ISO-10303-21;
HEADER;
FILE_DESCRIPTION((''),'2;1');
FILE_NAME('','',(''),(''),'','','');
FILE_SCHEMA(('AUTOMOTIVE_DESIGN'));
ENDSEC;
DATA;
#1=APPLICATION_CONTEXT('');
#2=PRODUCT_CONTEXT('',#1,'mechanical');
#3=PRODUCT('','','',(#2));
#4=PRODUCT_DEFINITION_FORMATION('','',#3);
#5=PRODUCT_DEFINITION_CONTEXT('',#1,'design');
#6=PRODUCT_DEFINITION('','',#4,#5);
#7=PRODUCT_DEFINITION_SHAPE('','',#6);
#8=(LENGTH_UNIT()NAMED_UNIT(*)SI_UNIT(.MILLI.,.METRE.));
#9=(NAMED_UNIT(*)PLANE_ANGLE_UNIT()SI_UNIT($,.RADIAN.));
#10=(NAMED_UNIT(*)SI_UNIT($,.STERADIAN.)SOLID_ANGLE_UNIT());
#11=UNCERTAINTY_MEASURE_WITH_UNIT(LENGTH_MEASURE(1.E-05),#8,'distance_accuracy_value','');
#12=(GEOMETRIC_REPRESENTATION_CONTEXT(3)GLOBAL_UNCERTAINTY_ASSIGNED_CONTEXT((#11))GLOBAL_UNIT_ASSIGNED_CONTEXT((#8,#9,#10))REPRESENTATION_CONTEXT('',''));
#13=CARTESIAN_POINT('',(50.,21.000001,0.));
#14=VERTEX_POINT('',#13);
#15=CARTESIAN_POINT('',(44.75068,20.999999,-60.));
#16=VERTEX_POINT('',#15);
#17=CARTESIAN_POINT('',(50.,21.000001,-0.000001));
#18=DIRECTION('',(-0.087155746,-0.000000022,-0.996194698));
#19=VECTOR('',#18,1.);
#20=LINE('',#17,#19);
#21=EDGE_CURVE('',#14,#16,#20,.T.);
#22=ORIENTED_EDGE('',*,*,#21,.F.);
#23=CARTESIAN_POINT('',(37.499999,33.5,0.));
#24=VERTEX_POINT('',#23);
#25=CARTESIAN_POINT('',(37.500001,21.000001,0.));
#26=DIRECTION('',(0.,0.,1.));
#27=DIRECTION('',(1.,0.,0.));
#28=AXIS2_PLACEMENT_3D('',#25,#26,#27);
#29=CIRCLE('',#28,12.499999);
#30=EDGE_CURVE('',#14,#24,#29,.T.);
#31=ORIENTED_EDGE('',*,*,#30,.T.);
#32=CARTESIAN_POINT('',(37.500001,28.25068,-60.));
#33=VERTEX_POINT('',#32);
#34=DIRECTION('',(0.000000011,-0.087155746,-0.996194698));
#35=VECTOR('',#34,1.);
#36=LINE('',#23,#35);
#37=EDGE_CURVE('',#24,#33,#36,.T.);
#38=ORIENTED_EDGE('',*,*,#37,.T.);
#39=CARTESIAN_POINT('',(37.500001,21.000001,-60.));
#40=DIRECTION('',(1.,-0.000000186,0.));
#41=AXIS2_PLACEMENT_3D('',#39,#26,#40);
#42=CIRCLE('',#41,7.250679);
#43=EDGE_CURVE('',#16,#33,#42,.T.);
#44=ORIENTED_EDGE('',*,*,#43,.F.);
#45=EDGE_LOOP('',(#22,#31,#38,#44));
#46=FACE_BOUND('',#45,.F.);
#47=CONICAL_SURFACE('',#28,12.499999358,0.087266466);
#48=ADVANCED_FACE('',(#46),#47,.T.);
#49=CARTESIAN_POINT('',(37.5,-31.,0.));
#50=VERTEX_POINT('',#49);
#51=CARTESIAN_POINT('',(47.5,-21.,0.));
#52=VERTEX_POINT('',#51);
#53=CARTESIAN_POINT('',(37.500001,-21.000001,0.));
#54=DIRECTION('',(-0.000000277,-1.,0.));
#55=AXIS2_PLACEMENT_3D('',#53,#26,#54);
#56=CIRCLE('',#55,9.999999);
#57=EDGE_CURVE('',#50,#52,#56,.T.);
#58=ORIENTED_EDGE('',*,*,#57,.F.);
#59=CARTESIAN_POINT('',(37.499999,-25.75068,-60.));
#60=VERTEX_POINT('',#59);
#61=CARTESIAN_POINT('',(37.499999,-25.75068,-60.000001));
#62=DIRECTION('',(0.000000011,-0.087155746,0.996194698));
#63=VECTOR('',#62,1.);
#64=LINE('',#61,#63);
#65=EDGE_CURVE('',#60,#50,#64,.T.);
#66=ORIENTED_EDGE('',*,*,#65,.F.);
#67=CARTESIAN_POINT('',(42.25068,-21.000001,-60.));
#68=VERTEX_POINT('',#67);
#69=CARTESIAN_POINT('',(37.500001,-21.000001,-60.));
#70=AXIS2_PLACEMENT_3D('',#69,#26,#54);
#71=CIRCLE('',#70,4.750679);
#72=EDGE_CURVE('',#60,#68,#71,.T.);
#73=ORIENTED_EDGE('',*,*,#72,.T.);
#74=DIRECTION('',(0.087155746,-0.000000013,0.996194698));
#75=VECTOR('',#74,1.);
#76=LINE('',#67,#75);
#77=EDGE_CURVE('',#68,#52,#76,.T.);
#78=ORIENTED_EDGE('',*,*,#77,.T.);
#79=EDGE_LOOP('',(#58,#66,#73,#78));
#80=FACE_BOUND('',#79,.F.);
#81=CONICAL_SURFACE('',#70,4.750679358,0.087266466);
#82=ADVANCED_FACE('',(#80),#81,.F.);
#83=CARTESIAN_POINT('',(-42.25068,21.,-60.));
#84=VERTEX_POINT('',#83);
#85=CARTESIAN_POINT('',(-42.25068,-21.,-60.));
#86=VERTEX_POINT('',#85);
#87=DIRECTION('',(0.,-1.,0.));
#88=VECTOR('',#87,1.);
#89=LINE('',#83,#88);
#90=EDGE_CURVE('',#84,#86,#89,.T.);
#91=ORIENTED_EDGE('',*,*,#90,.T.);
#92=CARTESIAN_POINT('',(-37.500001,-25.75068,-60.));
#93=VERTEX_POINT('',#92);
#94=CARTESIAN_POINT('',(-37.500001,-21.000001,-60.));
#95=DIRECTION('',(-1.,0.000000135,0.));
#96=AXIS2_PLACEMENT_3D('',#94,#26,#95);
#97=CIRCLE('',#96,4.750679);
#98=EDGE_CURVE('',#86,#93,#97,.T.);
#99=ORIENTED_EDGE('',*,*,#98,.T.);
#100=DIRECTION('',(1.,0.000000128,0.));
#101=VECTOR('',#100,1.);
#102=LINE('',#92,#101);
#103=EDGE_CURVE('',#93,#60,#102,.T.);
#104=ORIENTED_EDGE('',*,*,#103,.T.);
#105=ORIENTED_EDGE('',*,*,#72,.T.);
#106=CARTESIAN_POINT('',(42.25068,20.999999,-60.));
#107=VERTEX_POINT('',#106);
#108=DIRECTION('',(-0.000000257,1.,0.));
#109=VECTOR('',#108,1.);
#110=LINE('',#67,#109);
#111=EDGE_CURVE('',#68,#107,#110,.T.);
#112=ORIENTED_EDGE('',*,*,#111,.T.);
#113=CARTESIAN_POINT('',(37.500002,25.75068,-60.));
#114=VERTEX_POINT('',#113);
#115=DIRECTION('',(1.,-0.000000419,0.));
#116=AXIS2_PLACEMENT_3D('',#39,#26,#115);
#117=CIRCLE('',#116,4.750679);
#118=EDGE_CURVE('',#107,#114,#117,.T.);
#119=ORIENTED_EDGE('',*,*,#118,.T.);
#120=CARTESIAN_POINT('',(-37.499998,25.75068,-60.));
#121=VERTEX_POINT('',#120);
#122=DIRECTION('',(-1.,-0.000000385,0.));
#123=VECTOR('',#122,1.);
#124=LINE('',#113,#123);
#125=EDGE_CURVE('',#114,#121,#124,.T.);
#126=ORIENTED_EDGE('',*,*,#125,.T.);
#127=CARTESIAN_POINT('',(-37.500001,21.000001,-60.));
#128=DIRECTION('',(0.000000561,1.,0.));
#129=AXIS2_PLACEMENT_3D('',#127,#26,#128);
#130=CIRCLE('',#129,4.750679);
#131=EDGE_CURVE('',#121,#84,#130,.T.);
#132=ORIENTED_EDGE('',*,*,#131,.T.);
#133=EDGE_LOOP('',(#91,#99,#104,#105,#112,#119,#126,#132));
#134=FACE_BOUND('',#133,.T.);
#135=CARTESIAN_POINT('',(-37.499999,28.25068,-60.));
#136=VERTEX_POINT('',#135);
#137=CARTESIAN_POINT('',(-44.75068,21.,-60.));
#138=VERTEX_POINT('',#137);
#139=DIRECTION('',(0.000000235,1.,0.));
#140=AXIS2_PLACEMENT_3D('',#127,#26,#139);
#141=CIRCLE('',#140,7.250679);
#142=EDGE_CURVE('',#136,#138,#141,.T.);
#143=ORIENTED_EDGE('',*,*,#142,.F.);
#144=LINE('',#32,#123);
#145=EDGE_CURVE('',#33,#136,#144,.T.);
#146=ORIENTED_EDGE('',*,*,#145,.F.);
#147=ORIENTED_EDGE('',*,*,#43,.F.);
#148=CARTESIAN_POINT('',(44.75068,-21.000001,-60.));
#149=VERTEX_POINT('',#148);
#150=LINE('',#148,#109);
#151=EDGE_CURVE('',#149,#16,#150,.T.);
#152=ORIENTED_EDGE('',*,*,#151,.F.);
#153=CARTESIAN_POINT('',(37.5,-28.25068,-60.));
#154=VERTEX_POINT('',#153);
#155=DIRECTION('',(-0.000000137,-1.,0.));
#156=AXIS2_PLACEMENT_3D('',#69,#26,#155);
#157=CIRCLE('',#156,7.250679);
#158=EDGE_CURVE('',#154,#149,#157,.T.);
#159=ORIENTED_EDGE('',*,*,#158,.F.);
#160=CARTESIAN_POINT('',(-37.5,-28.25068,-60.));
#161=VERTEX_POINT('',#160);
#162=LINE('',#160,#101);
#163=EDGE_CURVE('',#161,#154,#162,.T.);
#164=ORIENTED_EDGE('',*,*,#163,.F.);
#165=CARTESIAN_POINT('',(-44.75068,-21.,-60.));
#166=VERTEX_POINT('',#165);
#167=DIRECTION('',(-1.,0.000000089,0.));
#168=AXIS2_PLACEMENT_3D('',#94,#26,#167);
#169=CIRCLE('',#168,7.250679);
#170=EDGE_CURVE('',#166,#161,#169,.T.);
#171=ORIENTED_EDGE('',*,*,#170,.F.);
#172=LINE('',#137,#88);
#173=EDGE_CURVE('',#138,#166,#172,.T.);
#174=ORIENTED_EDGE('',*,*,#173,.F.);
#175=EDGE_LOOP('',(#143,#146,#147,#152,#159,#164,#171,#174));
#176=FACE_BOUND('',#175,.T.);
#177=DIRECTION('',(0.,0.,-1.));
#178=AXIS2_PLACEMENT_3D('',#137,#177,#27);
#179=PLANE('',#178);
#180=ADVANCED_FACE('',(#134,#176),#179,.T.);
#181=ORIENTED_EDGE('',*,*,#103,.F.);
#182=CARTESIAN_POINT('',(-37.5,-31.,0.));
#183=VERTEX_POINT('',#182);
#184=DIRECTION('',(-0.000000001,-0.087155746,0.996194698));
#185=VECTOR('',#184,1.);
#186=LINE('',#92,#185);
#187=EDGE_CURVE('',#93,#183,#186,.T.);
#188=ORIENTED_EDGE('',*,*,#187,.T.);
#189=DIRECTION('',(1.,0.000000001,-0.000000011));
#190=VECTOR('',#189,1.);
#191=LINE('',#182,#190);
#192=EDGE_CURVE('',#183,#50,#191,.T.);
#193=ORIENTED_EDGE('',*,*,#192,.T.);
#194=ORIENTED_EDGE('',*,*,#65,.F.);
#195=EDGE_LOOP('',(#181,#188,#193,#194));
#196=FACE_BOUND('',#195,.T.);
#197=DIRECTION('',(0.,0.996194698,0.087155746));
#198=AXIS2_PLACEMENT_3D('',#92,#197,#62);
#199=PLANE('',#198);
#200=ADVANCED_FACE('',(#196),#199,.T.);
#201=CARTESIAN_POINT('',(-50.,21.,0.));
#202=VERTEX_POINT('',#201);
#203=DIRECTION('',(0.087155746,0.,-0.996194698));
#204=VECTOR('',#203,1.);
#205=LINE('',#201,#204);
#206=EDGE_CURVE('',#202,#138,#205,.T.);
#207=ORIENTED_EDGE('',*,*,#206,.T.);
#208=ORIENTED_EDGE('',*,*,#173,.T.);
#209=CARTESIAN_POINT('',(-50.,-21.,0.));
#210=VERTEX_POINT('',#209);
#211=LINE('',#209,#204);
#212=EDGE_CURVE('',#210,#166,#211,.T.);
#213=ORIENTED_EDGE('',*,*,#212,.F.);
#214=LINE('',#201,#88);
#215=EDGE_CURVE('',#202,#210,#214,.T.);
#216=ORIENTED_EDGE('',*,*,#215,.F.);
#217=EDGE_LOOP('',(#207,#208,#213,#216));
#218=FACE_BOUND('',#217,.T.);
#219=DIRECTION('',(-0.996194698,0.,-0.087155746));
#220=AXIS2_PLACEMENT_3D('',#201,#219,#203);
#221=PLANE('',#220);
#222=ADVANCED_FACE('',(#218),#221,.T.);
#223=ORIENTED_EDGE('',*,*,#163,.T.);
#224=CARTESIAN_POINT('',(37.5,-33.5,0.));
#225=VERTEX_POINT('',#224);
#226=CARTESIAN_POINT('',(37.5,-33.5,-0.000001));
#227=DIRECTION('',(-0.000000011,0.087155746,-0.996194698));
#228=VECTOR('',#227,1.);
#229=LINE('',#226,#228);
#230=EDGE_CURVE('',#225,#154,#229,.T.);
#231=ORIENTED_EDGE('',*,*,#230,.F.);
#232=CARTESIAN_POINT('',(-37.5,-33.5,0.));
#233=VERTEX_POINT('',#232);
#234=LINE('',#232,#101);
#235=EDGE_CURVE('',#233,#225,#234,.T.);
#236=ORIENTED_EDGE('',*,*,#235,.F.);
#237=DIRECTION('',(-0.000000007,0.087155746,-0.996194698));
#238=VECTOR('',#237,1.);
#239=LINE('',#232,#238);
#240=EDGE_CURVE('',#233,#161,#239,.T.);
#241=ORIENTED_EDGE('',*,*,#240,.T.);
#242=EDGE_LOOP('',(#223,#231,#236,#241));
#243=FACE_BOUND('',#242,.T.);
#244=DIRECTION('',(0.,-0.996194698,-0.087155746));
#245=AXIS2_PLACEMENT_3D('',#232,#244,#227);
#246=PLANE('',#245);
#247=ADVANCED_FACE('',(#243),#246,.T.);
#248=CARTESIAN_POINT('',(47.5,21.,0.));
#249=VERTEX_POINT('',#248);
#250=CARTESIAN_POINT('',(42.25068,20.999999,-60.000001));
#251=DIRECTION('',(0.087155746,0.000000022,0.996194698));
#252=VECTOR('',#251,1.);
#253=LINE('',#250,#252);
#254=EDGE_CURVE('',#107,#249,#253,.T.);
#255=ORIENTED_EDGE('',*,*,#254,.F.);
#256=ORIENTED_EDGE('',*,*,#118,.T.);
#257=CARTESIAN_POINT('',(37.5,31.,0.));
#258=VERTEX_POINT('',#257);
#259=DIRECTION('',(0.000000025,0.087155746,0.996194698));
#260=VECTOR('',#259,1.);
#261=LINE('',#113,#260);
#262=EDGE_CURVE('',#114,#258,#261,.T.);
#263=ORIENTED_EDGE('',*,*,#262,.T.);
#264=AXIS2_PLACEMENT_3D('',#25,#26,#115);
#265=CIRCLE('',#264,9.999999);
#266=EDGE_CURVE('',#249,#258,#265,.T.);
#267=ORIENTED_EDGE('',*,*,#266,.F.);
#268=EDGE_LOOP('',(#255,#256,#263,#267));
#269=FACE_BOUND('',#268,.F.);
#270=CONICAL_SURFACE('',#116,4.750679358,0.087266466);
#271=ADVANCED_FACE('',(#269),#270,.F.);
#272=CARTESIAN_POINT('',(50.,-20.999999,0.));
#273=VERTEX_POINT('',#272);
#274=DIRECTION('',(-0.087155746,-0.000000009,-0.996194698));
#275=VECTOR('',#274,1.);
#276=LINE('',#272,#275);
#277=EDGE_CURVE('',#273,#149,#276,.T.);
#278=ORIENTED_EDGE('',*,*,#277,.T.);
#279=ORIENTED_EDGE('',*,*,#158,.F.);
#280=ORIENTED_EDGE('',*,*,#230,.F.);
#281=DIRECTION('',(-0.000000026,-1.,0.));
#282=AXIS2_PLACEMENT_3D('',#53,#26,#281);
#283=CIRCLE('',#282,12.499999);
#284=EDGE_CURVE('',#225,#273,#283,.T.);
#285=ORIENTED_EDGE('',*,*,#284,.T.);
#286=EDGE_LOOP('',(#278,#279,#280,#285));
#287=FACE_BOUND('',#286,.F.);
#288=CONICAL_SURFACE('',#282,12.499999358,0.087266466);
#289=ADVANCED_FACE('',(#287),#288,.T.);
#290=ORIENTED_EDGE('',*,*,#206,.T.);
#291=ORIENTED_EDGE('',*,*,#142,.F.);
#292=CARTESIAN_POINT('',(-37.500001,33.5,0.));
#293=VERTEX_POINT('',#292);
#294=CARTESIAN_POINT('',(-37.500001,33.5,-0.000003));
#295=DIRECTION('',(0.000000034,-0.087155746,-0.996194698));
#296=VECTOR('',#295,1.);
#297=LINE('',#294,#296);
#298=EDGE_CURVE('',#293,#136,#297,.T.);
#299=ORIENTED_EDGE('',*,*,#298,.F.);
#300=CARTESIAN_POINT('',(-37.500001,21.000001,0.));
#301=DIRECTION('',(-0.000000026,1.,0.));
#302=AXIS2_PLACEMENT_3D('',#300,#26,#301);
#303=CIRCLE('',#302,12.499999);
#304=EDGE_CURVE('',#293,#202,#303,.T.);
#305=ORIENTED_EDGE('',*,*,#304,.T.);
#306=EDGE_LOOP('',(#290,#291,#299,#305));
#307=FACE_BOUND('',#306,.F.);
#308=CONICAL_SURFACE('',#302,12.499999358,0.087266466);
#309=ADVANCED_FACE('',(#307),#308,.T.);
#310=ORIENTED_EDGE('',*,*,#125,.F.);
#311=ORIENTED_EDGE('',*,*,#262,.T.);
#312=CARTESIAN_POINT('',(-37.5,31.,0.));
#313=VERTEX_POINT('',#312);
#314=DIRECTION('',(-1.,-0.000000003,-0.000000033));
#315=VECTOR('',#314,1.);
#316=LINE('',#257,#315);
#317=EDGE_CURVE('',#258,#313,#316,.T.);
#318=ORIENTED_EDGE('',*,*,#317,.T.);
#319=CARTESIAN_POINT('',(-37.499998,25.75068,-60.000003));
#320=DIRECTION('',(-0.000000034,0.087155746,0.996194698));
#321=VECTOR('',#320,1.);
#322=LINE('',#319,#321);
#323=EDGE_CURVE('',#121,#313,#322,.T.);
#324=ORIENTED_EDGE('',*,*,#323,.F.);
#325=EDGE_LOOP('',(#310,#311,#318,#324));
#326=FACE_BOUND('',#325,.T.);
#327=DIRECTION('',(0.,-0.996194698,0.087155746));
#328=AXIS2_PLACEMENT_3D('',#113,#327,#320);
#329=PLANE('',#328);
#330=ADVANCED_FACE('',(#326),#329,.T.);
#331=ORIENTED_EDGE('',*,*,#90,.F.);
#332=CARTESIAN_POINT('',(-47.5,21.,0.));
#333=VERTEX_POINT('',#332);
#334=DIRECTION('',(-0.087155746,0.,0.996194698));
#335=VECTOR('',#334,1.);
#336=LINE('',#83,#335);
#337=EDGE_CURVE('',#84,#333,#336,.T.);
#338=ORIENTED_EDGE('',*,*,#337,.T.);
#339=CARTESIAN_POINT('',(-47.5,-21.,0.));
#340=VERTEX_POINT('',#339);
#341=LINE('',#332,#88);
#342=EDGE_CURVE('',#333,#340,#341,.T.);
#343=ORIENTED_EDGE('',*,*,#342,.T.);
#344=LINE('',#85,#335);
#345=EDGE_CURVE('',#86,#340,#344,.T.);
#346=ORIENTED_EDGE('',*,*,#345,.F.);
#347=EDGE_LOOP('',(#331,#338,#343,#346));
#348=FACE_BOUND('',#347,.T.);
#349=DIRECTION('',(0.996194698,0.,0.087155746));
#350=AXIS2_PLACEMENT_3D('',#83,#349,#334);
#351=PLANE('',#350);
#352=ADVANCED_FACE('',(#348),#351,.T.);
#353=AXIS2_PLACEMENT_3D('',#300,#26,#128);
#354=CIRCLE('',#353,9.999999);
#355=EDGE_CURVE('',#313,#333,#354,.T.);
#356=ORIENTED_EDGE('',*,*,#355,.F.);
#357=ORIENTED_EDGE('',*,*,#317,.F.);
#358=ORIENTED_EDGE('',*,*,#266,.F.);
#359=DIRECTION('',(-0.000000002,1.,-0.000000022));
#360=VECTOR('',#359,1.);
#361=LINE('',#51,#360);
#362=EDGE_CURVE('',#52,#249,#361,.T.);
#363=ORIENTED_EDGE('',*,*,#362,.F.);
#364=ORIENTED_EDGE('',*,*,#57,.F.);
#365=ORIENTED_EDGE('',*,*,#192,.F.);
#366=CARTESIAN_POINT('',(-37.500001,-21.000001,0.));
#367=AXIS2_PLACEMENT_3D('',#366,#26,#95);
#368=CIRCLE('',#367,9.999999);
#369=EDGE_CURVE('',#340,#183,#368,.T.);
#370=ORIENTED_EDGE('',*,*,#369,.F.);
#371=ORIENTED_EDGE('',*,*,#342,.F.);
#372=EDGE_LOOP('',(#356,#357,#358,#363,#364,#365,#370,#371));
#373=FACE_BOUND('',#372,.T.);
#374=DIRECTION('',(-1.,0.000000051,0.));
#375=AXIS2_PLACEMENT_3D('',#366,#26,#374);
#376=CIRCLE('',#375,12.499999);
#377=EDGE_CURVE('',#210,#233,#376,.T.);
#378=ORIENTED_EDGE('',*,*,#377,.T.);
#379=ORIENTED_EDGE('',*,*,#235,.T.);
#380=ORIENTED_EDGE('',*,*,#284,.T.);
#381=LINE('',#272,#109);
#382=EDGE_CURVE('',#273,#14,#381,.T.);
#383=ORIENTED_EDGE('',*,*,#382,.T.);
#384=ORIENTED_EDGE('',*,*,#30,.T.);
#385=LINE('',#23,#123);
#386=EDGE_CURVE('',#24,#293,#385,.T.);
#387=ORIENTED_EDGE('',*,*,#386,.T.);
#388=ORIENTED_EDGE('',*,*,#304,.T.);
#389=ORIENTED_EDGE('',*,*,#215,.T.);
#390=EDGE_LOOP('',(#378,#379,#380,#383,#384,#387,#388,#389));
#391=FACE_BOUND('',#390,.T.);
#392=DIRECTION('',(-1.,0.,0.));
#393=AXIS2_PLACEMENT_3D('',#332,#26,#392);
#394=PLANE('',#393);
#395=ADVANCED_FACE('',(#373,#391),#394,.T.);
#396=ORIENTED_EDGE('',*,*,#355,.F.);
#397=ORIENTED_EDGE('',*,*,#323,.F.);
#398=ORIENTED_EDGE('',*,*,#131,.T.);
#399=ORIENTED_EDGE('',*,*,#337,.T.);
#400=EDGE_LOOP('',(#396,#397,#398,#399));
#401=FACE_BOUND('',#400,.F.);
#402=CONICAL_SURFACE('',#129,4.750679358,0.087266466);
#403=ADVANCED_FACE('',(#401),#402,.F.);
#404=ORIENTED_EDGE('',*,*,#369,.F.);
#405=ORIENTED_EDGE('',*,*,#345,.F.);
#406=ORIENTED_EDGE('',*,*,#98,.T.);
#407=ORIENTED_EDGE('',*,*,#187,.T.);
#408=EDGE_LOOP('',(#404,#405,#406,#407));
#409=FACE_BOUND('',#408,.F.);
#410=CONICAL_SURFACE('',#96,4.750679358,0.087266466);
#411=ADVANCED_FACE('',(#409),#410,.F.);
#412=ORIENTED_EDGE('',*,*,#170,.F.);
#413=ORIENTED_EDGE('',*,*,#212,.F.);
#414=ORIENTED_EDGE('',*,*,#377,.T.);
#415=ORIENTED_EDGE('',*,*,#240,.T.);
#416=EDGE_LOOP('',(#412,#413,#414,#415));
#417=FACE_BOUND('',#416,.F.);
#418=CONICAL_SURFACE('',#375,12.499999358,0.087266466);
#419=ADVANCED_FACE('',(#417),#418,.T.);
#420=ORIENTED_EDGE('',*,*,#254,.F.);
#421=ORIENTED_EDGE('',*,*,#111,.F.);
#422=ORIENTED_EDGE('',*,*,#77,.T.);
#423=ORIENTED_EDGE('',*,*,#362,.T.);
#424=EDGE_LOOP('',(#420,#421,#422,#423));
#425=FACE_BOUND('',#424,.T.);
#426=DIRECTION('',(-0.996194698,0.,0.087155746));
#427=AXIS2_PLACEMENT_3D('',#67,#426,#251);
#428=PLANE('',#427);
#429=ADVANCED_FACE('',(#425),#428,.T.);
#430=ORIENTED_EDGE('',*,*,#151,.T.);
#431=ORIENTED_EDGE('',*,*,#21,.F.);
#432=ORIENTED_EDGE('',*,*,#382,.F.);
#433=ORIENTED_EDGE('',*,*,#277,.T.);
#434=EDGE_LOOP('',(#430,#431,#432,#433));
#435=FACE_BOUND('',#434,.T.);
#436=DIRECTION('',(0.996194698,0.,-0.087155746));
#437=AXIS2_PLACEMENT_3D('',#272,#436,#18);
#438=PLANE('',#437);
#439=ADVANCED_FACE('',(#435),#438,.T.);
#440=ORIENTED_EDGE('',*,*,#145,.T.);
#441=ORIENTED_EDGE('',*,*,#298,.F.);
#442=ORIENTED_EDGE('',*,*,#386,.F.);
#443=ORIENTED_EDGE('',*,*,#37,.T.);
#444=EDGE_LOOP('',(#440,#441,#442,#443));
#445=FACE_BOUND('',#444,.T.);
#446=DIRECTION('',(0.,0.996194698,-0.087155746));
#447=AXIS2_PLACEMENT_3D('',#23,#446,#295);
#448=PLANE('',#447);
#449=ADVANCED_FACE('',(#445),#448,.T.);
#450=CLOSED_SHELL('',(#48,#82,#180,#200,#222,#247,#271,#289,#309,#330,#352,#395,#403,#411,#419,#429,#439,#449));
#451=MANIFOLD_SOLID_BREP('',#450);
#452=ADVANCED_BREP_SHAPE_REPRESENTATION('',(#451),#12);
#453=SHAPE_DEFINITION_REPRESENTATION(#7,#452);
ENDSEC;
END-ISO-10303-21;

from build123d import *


with BuildPart() as f2:
    # F2: sweep along a path in F0
    with BuildLine(Plane.XY) as f2_path:
        Line((-47.5, 21), (-47.5, -21))
        ThreePointArc((-47.5, -21), (-44.571068, -28.071068), (-37.5, -31))
        Line((-37.5, -31), (37.5, -31))
        ThreePointArc((37.5, -31), (44.571068, -28.071068), (47.5, -21))
        Line((47.5, -21), (47.5, 21))
        ThreePointArc((47.5, 21), (44.571068, 28.071068), (37.5, 31))
        Line((37.5, 31), (-37.5, 31))
        ThreePointArc((-37.5, 31), (-44.571068, 28.071068), (-47.5, 21))
    # F1 (on Front) → F2 (sweep)
    with BuildSketch(Plane.XZ):
        Polygon((-44.75068, -60), (-42.25068, -60), (-47.5, 0), (-50, 0), align=None)
    sweep(path=f2_path.line)


solid = f2.part
